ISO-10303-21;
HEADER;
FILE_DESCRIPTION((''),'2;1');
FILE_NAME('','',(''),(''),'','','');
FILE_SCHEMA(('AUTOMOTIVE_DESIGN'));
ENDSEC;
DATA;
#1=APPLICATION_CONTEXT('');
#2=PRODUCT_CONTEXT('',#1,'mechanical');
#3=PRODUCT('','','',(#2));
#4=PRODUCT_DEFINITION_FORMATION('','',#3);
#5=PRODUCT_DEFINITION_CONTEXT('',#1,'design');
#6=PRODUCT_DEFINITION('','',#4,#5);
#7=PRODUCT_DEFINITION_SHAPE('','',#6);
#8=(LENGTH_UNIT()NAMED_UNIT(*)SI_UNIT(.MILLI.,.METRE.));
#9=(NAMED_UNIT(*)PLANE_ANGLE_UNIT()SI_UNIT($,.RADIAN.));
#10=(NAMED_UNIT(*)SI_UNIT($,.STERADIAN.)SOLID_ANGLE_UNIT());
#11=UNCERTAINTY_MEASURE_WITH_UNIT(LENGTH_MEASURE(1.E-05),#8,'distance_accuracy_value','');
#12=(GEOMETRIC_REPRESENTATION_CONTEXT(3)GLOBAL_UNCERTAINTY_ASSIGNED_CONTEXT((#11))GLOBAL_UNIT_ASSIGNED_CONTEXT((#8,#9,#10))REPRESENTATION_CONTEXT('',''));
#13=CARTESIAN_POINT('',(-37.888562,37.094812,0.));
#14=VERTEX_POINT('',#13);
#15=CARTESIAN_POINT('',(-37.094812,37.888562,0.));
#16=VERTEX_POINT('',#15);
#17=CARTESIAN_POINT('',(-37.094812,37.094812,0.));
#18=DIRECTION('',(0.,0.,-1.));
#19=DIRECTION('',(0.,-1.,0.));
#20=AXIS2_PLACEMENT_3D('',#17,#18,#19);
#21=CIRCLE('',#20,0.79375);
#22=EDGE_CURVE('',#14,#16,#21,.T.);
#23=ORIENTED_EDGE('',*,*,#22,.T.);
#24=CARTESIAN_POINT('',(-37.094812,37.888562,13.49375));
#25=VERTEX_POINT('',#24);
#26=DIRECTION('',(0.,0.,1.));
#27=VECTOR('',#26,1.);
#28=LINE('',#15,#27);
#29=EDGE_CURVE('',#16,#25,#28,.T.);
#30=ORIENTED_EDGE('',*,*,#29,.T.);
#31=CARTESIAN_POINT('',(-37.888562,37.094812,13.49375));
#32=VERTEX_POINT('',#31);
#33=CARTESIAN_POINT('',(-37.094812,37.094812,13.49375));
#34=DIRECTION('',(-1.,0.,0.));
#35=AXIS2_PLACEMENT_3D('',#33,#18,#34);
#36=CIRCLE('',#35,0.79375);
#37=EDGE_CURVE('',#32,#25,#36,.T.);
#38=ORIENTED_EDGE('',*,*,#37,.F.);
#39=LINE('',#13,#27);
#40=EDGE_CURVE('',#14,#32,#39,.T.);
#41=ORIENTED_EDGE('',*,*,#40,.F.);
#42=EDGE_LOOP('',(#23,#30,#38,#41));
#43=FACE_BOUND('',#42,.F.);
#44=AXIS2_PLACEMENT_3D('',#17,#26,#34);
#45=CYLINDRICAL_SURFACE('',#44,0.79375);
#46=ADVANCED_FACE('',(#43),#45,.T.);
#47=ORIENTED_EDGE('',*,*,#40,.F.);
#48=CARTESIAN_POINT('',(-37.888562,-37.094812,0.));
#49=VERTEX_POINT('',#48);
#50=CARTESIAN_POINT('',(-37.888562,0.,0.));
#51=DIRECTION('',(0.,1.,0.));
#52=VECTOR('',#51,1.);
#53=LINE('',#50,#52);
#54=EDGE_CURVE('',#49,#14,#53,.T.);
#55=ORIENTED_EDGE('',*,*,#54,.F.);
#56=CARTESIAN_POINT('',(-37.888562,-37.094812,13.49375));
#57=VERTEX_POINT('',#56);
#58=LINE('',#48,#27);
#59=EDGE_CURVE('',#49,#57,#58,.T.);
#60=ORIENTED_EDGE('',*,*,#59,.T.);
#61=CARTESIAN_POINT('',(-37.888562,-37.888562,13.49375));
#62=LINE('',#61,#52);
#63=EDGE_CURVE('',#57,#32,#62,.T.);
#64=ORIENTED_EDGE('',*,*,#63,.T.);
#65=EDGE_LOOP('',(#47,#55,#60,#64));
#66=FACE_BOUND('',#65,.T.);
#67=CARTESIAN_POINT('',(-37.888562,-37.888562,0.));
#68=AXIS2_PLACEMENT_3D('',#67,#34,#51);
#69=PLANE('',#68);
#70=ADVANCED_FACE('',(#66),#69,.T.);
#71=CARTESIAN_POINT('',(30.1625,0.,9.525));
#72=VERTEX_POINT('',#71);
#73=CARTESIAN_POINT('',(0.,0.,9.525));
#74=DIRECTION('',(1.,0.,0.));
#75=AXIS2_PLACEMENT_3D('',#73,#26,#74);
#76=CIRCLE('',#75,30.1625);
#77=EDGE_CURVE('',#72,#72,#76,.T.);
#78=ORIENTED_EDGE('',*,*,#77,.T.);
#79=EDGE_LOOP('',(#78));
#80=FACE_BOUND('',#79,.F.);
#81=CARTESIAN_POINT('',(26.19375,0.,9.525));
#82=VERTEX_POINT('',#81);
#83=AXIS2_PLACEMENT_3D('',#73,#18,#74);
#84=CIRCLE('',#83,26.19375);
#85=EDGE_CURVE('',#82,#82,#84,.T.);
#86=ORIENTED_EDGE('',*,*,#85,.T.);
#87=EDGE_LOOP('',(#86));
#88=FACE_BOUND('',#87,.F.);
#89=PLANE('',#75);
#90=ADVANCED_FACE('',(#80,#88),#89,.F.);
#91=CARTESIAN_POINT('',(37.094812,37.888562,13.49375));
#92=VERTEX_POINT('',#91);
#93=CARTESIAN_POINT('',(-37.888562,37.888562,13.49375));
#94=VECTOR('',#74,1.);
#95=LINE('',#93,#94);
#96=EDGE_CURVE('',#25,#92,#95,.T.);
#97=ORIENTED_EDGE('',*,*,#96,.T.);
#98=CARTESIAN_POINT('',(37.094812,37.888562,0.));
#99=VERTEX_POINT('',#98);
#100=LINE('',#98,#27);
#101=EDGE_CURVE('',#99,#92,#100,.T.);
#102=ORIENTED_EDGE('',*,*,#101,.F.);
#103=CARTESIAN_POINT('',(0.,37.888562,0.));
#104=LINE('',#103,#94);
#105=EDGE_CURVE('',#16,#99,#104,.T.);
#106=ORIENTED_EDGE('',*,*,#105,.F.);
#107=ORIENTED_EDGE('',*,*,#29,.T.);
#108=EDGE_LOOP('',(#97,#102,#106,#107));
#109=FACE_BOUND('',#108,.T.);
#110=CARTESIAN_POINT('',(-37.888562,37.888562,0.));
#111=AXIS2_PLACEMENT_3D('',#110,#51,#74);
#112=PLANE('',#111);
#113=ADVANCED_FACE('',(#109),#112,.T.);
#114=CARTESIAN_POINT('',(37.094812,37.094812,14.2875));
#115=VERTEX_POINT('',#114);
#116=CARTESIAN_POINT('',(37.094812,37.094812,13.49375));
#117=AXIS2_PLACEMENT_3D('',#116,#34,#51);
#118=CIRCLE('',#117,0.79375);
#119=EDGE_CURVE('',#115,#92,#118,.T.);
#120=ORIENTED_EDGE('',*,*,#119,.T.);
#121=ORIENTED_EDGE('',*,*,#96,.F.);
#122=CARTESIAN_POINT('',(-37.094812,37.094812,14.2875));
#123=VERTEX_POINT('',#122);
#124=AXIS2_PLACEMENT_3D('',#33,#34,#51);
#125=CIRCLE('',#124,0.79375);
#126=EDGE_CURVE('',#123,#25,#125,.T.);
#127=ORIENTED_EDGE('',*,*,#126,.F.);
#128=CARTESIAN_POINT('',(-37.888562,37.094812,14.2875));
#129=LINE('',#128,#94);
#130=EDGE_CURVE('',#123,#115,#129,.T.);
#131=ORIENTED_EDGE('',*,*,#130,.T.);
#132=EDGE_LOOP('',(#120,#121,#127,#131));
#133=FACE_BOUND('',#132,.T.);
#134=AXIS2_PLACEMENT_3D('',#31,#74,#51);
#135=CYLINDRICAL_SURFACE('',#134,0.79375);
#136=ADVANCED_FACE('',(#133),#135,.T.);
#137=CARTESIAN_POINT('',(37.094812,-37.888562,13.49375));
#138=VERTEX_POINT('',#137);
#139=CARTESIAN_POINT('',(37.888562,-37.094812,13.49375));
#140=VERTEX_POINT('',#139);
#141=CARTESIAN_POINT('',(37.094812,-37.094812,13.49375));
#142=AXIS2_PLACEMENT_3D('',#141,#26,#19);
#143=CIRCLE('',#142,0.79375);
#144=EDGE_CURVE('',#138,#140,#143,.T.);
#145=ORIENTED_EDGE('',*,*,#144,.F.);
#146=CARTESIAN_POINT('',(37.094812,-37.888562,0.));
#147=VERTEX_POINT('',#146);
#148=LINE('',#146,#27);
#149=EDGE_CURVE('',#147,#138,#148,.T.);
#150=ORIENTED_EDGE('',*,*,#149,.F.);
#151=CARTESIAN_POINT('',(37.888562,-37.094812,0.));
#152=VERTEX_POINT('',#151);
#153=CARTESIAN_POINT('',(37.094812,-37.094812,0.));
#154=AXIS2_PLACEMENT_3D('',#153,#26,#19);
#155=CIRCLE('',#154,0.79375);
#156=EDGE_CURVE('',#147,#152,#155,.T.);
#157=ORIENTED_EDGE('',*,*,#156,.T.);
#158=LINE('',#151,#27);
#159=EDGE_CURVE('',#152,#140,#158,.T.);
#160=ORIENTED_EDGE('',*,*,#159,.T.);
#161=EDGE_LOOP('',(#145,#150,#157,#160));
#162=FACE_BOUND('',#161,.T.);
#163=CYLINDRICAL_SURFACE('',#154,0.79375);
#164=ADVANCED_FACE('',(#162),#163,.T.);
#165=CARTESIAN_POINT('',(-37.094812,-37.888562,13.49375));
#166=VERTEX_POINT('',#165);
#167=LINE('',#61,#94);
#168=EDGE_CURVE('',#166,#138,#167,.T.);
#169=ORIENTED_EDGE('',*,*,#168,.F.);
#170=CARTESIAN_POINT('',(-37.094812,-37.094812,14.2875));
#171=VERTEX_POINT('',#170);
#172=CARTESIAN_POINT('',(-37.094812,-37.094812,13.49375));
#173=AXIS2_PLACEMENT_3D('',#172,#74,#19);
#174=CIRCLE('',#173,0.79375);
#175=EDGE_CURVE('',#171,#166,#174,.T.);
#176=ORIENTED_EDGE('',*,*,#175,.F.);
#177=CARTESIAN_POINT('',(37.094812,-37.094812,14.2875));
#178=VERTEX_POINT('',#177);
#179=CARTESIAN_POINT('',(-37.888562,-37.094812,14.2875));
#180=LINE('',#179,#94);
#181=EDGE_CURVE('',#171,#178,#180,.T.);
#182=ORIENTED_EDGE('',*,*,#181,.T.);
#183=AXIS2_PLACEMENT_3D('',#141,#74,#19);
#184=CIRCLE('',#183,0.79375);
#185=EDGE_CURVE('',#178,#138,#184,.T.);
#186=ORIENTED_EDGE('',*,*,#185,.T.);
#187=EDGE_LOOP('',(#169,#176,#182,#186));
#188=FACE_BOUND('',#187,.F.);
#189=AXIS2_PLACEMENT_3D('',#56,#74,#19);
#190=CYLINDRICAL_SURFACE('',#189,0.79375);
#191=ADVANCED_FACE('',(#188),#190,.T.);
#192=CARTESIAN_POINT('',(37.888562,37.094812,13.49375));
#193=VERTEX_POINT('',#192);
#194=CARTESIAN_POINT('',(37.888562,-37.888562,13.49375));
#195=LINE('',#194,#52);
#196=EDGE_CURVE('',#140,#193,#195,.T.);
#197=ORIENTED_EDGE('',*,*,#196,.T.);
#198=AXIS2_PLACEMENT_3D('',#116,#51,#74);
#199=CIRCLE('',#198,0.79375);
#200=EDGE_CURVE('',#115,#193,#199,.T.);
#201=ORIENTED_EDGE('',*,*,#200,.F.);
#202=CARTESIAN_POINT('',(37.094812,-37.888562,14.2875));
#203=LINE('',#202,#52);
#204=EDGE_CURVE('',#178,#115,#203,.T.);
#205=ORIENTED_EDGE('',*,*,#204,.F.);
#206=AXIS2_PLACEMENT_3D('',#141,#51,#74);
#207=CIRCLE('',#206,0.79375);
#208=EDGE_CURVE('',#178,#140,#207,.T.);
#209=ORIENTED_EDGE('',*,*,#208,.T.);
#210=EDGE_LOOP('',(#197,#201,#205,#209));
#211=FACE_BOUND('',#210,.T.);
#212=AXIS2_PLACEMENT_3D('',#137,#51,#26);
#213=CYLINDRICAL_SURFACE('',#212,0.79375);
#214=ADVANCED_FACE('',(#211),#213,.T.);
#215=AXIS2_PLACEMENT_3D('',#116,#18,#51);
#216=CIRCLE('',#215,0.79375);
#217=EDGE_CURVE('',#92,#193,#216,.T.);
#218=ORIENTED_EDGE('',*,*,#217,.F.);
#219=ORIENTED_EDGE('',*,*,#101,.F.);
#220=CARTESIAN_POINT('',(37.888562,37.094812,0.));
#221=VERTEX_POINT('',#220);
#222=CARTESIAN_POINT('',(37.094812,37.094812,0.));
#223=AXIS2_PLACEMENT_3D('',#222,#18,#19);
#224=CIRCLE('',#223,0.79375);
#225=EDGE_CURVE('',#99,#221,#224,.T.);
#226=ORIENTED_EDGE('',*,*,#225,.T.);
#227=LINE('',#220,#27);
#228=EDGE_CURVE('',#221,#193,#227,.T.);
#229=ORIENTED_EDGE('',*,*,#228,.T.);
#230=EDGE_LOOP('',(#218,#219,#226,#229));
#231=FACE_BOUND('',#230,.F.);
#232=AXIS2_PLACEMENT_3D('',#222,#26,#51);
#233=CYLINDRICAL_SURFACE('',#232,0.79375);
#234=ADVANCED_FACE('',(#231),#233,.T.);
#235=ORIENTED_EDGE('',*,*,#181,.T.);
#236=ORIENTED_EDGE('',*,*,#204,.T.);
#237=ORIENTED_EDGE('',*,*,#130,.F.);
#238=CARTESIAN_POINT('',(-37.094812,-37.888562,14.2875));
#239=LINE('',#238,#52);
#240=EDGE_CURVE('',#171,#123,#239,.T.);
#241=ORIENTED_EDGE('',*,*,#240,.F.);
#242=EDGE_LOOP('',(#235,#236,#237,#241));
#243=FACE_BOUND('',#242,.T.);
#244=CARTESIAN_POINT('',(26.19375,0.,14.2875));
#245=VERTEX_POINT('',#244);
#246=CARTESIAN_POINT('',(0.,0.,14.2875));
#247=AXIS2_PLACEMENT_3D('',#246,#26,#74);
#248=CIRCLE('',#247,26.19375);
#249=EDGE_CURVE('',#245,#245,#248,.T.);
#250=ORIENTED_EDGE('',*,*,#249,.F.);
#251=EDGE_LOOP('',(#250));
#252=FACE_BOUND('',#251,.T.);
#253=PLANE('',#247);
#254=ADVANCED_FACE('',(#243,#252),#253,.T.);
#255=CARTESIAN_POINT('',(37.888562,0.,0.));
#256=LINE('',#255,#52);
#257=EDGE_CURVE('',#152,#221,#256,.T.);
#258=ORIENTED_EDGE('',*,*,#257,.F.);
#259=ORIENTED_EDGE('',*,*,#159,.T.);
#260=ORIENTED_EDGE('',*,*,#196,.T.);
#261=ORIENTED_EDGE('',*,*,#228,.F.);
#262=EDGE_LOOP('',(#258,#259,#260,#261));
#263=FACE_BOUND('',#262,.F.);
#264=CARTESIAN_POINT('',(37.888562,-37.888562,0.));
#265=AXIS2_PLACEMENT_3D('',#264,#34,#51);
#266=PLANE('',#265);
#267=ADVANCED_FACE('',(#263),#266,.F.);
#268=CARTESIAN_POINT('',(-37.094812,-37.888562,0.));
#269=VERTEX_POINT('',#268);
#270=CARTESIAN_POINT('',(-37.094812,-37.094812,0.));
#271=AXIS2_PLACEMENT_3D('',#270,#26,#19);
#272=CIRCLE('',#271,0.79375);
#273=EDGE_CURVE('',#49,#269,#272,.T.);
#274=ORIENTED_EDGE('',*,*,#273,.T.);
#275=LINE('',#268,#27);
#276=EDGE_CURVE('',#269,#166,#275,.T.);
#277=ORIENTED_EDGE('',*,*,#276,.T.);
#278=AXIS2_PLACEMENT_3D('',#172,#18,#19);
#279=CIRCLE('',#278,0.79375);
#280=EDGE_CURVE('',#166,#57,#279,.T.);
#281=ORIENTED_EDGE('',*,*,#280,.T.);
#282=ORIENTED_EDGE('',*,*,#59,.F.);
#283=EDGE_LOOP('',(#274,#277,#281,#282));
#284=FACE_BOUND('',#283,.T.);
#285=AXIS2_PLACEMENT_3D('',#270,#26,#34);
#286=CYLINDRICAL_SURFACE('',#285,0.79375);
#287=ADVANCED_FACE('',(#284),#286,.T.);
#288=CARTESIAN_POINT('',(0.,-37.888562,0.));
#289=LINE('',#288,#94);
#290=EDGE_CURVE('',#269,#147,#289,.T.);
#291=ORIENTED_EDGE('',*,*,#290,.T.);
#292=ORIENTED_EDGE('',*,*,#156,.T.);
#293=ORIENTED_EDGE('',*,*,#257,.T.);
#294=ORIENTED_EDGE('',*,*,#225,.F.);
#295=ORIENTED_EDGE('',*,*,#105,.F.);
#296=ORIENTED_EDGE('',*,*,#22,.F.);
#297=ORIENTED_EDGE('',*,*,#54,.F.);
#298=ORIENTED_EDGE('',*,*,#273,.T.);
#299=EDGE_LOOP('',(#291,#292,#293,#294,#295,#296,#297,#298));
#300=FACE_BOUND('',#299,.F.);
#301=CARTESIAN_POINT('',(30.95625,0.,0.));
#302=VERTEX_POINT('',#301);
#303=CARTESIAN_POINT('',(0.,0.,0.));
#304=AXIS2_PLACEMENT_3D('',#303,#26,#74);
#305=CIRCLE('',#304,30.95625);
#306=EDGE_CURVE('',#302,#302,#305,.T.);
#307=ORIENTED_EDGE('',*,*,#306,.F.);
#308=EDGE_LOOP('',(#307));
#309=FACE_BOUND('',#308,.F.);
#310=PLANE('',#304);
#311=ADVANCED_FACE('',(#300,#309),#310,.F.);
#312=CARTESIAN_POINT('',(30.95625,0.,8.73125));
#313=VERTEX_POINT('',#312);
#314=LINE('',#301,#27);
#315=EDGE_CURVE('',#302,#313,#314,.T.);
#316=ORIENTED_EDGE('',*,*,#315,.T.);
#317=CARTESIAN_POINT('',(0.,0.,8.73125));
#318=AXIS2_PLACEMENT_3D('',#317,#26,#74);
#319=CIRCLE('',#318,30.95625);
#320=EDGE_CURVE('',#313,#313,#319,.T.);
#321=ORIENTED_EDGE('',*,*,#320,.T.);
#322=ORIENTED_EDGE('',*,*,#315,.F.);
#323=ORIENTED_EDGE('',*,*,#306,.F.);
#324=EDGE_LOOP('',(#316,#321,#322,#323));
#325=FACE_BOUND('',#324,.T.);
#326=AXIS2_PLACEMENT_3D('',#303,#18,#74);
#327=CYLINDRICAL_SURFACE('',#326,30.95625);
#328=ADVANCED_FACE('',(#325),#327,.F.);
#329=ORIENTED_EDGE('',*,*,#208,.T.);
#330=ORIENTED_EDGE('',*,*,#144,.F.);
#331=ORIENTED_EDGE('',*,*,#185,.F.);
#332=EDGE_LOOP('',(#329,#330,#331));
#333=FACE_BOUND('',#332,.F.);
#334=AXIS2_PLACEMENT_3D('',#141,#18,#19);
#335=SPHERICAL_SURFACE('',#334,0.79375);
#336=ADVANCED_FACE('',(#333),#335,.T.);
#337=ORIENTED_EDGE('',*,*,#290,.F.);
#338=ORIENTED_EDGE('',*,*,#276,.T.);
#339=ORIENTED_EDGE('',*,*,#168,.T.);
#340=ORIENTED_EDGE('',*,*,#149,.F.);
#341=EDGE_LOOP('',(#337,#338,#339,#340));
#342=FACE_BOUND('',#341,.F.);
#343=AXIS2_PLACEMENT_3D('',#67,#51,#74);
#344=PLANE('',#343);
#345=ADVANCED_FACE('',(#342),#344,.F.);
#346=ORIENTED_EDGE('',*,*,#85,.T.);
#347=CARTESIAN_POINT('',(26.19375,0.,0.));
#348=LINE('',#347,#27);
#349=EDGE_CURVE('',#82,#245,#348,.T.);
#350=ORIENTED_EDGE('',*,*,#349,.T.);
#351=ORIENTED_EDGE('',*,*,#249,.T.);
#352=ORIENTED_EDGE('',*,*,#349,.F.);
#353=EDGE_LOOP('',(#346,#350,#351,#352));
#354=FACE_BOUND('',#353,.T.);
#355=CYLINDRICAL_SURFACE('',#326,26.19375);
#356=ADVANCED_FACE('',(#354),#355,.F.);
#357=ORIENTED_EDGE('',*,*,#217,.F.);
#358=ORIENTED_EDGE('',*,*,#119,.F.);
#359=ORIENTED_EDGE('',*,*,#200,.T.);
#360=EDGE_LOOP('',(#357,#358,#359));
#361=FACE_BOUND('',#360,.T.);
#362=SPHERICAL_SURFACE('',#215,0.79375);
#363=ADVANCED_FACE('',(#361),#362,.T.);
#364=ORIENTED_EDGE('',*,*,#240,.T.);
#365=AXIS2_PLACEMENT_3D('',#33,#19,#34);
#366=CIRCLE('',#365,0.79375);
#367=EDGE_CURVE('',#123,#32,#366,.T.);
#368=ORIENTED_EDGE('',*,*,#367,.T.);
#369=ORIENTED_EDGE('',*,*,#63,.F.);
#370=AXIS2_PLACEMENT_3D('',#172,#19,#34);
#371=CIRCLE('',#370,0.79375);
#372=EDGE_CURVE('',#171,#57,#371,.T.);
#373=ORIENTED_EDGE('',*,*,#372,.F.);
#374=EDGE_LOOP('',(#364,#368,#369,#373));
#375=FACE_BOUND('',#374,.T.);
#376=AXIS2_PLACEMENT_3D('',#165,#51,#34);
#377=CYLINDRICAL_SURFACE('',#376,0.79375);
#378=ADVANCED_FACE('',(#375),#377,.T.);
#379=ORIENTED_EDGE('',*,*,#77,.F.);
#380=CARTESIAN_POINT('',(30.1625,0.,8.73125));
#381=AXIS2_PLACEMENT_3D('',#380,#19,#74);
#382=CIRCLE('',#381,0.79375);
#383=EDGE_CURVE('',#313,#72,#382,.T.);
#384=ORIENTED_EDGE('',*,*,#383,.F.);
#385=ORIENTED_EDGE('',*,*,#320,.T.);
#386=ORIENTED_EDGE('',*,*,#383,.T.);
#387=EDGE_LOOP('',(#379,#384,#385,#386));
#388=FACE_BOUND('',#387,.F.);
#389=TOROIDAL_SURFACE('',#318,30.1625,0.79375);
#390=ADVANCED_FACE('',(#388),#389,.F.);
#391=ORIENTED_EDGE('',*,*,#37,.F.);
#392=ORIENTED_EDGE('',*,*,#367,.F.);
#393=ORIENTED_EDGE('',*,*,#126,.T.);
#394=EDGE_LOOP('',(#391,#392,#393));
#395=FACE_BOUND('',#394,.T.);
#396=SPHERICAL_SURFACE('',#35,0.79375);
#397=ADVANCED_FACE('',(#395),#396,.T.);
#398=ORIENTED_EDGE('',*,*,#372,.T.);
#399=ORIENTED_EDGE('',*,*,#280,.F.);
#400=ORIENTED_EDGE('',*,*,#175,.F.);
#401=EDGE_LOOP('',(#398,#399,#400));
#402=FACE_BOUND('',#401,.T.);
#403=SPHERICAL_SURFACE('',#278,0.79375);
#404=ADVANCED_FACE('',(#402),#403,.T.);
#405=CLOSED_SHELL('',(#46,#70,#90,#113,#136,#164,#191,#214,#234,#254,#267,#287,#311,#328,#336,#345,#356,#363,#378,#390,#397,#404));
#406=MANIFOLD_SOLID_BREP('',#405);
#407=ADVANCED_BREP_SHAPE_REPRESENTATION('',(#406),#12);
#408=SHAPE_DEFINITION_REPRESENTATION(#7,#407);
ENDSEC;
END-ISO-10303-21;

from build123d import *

# Parameters (mm, degrees)
F0_W     = 75.777124
F0_H     = 75.777124
F0_R     = 26.19375
F1_DEPTH = 14.2875
F2_R     = 30.95625
F3_DEPTH = 9.525
F4_R     = 0.79375


with BuildPart() as f1:
    # F0 (on Top) → F1 (new body)
    with BuildSketch(Plane.XY):
        Rectangle(F0_W, F0_H)
        Circle(F0_R, mode=Mode.SUBTRACT)
    extrude(amount=F1_DEPTH)

    # F2 (on Top) → F3 (cut)
    with BuildSketch(Plane.XY):
        Circle(F2_R)
    extrude(amount=F3_DEPTH, mode=Mode.SUBTRACT)

    # F4
    f4_edges = [f1.edges().sort_by_distance(p)[0] for p in [
        (-30.95625, 0, 9.525),
        (-37.888562, -37.888562, 7.14375),
        (37.888562, -37.888562, 7.14375),
        (37.888562, 37.888562, 7.14375),
        (-37.888562, 37.888562, 7.14375),
        (0, -37.888562, 14.2875),
        (-37.888562, 0, 14.2875),
        (0, 37.888562, 14.2875),
        (37.888562, 0, 14.2875),
    ]]
    fillet(f4_edges, radius=F4_R)


solid = f1.part
